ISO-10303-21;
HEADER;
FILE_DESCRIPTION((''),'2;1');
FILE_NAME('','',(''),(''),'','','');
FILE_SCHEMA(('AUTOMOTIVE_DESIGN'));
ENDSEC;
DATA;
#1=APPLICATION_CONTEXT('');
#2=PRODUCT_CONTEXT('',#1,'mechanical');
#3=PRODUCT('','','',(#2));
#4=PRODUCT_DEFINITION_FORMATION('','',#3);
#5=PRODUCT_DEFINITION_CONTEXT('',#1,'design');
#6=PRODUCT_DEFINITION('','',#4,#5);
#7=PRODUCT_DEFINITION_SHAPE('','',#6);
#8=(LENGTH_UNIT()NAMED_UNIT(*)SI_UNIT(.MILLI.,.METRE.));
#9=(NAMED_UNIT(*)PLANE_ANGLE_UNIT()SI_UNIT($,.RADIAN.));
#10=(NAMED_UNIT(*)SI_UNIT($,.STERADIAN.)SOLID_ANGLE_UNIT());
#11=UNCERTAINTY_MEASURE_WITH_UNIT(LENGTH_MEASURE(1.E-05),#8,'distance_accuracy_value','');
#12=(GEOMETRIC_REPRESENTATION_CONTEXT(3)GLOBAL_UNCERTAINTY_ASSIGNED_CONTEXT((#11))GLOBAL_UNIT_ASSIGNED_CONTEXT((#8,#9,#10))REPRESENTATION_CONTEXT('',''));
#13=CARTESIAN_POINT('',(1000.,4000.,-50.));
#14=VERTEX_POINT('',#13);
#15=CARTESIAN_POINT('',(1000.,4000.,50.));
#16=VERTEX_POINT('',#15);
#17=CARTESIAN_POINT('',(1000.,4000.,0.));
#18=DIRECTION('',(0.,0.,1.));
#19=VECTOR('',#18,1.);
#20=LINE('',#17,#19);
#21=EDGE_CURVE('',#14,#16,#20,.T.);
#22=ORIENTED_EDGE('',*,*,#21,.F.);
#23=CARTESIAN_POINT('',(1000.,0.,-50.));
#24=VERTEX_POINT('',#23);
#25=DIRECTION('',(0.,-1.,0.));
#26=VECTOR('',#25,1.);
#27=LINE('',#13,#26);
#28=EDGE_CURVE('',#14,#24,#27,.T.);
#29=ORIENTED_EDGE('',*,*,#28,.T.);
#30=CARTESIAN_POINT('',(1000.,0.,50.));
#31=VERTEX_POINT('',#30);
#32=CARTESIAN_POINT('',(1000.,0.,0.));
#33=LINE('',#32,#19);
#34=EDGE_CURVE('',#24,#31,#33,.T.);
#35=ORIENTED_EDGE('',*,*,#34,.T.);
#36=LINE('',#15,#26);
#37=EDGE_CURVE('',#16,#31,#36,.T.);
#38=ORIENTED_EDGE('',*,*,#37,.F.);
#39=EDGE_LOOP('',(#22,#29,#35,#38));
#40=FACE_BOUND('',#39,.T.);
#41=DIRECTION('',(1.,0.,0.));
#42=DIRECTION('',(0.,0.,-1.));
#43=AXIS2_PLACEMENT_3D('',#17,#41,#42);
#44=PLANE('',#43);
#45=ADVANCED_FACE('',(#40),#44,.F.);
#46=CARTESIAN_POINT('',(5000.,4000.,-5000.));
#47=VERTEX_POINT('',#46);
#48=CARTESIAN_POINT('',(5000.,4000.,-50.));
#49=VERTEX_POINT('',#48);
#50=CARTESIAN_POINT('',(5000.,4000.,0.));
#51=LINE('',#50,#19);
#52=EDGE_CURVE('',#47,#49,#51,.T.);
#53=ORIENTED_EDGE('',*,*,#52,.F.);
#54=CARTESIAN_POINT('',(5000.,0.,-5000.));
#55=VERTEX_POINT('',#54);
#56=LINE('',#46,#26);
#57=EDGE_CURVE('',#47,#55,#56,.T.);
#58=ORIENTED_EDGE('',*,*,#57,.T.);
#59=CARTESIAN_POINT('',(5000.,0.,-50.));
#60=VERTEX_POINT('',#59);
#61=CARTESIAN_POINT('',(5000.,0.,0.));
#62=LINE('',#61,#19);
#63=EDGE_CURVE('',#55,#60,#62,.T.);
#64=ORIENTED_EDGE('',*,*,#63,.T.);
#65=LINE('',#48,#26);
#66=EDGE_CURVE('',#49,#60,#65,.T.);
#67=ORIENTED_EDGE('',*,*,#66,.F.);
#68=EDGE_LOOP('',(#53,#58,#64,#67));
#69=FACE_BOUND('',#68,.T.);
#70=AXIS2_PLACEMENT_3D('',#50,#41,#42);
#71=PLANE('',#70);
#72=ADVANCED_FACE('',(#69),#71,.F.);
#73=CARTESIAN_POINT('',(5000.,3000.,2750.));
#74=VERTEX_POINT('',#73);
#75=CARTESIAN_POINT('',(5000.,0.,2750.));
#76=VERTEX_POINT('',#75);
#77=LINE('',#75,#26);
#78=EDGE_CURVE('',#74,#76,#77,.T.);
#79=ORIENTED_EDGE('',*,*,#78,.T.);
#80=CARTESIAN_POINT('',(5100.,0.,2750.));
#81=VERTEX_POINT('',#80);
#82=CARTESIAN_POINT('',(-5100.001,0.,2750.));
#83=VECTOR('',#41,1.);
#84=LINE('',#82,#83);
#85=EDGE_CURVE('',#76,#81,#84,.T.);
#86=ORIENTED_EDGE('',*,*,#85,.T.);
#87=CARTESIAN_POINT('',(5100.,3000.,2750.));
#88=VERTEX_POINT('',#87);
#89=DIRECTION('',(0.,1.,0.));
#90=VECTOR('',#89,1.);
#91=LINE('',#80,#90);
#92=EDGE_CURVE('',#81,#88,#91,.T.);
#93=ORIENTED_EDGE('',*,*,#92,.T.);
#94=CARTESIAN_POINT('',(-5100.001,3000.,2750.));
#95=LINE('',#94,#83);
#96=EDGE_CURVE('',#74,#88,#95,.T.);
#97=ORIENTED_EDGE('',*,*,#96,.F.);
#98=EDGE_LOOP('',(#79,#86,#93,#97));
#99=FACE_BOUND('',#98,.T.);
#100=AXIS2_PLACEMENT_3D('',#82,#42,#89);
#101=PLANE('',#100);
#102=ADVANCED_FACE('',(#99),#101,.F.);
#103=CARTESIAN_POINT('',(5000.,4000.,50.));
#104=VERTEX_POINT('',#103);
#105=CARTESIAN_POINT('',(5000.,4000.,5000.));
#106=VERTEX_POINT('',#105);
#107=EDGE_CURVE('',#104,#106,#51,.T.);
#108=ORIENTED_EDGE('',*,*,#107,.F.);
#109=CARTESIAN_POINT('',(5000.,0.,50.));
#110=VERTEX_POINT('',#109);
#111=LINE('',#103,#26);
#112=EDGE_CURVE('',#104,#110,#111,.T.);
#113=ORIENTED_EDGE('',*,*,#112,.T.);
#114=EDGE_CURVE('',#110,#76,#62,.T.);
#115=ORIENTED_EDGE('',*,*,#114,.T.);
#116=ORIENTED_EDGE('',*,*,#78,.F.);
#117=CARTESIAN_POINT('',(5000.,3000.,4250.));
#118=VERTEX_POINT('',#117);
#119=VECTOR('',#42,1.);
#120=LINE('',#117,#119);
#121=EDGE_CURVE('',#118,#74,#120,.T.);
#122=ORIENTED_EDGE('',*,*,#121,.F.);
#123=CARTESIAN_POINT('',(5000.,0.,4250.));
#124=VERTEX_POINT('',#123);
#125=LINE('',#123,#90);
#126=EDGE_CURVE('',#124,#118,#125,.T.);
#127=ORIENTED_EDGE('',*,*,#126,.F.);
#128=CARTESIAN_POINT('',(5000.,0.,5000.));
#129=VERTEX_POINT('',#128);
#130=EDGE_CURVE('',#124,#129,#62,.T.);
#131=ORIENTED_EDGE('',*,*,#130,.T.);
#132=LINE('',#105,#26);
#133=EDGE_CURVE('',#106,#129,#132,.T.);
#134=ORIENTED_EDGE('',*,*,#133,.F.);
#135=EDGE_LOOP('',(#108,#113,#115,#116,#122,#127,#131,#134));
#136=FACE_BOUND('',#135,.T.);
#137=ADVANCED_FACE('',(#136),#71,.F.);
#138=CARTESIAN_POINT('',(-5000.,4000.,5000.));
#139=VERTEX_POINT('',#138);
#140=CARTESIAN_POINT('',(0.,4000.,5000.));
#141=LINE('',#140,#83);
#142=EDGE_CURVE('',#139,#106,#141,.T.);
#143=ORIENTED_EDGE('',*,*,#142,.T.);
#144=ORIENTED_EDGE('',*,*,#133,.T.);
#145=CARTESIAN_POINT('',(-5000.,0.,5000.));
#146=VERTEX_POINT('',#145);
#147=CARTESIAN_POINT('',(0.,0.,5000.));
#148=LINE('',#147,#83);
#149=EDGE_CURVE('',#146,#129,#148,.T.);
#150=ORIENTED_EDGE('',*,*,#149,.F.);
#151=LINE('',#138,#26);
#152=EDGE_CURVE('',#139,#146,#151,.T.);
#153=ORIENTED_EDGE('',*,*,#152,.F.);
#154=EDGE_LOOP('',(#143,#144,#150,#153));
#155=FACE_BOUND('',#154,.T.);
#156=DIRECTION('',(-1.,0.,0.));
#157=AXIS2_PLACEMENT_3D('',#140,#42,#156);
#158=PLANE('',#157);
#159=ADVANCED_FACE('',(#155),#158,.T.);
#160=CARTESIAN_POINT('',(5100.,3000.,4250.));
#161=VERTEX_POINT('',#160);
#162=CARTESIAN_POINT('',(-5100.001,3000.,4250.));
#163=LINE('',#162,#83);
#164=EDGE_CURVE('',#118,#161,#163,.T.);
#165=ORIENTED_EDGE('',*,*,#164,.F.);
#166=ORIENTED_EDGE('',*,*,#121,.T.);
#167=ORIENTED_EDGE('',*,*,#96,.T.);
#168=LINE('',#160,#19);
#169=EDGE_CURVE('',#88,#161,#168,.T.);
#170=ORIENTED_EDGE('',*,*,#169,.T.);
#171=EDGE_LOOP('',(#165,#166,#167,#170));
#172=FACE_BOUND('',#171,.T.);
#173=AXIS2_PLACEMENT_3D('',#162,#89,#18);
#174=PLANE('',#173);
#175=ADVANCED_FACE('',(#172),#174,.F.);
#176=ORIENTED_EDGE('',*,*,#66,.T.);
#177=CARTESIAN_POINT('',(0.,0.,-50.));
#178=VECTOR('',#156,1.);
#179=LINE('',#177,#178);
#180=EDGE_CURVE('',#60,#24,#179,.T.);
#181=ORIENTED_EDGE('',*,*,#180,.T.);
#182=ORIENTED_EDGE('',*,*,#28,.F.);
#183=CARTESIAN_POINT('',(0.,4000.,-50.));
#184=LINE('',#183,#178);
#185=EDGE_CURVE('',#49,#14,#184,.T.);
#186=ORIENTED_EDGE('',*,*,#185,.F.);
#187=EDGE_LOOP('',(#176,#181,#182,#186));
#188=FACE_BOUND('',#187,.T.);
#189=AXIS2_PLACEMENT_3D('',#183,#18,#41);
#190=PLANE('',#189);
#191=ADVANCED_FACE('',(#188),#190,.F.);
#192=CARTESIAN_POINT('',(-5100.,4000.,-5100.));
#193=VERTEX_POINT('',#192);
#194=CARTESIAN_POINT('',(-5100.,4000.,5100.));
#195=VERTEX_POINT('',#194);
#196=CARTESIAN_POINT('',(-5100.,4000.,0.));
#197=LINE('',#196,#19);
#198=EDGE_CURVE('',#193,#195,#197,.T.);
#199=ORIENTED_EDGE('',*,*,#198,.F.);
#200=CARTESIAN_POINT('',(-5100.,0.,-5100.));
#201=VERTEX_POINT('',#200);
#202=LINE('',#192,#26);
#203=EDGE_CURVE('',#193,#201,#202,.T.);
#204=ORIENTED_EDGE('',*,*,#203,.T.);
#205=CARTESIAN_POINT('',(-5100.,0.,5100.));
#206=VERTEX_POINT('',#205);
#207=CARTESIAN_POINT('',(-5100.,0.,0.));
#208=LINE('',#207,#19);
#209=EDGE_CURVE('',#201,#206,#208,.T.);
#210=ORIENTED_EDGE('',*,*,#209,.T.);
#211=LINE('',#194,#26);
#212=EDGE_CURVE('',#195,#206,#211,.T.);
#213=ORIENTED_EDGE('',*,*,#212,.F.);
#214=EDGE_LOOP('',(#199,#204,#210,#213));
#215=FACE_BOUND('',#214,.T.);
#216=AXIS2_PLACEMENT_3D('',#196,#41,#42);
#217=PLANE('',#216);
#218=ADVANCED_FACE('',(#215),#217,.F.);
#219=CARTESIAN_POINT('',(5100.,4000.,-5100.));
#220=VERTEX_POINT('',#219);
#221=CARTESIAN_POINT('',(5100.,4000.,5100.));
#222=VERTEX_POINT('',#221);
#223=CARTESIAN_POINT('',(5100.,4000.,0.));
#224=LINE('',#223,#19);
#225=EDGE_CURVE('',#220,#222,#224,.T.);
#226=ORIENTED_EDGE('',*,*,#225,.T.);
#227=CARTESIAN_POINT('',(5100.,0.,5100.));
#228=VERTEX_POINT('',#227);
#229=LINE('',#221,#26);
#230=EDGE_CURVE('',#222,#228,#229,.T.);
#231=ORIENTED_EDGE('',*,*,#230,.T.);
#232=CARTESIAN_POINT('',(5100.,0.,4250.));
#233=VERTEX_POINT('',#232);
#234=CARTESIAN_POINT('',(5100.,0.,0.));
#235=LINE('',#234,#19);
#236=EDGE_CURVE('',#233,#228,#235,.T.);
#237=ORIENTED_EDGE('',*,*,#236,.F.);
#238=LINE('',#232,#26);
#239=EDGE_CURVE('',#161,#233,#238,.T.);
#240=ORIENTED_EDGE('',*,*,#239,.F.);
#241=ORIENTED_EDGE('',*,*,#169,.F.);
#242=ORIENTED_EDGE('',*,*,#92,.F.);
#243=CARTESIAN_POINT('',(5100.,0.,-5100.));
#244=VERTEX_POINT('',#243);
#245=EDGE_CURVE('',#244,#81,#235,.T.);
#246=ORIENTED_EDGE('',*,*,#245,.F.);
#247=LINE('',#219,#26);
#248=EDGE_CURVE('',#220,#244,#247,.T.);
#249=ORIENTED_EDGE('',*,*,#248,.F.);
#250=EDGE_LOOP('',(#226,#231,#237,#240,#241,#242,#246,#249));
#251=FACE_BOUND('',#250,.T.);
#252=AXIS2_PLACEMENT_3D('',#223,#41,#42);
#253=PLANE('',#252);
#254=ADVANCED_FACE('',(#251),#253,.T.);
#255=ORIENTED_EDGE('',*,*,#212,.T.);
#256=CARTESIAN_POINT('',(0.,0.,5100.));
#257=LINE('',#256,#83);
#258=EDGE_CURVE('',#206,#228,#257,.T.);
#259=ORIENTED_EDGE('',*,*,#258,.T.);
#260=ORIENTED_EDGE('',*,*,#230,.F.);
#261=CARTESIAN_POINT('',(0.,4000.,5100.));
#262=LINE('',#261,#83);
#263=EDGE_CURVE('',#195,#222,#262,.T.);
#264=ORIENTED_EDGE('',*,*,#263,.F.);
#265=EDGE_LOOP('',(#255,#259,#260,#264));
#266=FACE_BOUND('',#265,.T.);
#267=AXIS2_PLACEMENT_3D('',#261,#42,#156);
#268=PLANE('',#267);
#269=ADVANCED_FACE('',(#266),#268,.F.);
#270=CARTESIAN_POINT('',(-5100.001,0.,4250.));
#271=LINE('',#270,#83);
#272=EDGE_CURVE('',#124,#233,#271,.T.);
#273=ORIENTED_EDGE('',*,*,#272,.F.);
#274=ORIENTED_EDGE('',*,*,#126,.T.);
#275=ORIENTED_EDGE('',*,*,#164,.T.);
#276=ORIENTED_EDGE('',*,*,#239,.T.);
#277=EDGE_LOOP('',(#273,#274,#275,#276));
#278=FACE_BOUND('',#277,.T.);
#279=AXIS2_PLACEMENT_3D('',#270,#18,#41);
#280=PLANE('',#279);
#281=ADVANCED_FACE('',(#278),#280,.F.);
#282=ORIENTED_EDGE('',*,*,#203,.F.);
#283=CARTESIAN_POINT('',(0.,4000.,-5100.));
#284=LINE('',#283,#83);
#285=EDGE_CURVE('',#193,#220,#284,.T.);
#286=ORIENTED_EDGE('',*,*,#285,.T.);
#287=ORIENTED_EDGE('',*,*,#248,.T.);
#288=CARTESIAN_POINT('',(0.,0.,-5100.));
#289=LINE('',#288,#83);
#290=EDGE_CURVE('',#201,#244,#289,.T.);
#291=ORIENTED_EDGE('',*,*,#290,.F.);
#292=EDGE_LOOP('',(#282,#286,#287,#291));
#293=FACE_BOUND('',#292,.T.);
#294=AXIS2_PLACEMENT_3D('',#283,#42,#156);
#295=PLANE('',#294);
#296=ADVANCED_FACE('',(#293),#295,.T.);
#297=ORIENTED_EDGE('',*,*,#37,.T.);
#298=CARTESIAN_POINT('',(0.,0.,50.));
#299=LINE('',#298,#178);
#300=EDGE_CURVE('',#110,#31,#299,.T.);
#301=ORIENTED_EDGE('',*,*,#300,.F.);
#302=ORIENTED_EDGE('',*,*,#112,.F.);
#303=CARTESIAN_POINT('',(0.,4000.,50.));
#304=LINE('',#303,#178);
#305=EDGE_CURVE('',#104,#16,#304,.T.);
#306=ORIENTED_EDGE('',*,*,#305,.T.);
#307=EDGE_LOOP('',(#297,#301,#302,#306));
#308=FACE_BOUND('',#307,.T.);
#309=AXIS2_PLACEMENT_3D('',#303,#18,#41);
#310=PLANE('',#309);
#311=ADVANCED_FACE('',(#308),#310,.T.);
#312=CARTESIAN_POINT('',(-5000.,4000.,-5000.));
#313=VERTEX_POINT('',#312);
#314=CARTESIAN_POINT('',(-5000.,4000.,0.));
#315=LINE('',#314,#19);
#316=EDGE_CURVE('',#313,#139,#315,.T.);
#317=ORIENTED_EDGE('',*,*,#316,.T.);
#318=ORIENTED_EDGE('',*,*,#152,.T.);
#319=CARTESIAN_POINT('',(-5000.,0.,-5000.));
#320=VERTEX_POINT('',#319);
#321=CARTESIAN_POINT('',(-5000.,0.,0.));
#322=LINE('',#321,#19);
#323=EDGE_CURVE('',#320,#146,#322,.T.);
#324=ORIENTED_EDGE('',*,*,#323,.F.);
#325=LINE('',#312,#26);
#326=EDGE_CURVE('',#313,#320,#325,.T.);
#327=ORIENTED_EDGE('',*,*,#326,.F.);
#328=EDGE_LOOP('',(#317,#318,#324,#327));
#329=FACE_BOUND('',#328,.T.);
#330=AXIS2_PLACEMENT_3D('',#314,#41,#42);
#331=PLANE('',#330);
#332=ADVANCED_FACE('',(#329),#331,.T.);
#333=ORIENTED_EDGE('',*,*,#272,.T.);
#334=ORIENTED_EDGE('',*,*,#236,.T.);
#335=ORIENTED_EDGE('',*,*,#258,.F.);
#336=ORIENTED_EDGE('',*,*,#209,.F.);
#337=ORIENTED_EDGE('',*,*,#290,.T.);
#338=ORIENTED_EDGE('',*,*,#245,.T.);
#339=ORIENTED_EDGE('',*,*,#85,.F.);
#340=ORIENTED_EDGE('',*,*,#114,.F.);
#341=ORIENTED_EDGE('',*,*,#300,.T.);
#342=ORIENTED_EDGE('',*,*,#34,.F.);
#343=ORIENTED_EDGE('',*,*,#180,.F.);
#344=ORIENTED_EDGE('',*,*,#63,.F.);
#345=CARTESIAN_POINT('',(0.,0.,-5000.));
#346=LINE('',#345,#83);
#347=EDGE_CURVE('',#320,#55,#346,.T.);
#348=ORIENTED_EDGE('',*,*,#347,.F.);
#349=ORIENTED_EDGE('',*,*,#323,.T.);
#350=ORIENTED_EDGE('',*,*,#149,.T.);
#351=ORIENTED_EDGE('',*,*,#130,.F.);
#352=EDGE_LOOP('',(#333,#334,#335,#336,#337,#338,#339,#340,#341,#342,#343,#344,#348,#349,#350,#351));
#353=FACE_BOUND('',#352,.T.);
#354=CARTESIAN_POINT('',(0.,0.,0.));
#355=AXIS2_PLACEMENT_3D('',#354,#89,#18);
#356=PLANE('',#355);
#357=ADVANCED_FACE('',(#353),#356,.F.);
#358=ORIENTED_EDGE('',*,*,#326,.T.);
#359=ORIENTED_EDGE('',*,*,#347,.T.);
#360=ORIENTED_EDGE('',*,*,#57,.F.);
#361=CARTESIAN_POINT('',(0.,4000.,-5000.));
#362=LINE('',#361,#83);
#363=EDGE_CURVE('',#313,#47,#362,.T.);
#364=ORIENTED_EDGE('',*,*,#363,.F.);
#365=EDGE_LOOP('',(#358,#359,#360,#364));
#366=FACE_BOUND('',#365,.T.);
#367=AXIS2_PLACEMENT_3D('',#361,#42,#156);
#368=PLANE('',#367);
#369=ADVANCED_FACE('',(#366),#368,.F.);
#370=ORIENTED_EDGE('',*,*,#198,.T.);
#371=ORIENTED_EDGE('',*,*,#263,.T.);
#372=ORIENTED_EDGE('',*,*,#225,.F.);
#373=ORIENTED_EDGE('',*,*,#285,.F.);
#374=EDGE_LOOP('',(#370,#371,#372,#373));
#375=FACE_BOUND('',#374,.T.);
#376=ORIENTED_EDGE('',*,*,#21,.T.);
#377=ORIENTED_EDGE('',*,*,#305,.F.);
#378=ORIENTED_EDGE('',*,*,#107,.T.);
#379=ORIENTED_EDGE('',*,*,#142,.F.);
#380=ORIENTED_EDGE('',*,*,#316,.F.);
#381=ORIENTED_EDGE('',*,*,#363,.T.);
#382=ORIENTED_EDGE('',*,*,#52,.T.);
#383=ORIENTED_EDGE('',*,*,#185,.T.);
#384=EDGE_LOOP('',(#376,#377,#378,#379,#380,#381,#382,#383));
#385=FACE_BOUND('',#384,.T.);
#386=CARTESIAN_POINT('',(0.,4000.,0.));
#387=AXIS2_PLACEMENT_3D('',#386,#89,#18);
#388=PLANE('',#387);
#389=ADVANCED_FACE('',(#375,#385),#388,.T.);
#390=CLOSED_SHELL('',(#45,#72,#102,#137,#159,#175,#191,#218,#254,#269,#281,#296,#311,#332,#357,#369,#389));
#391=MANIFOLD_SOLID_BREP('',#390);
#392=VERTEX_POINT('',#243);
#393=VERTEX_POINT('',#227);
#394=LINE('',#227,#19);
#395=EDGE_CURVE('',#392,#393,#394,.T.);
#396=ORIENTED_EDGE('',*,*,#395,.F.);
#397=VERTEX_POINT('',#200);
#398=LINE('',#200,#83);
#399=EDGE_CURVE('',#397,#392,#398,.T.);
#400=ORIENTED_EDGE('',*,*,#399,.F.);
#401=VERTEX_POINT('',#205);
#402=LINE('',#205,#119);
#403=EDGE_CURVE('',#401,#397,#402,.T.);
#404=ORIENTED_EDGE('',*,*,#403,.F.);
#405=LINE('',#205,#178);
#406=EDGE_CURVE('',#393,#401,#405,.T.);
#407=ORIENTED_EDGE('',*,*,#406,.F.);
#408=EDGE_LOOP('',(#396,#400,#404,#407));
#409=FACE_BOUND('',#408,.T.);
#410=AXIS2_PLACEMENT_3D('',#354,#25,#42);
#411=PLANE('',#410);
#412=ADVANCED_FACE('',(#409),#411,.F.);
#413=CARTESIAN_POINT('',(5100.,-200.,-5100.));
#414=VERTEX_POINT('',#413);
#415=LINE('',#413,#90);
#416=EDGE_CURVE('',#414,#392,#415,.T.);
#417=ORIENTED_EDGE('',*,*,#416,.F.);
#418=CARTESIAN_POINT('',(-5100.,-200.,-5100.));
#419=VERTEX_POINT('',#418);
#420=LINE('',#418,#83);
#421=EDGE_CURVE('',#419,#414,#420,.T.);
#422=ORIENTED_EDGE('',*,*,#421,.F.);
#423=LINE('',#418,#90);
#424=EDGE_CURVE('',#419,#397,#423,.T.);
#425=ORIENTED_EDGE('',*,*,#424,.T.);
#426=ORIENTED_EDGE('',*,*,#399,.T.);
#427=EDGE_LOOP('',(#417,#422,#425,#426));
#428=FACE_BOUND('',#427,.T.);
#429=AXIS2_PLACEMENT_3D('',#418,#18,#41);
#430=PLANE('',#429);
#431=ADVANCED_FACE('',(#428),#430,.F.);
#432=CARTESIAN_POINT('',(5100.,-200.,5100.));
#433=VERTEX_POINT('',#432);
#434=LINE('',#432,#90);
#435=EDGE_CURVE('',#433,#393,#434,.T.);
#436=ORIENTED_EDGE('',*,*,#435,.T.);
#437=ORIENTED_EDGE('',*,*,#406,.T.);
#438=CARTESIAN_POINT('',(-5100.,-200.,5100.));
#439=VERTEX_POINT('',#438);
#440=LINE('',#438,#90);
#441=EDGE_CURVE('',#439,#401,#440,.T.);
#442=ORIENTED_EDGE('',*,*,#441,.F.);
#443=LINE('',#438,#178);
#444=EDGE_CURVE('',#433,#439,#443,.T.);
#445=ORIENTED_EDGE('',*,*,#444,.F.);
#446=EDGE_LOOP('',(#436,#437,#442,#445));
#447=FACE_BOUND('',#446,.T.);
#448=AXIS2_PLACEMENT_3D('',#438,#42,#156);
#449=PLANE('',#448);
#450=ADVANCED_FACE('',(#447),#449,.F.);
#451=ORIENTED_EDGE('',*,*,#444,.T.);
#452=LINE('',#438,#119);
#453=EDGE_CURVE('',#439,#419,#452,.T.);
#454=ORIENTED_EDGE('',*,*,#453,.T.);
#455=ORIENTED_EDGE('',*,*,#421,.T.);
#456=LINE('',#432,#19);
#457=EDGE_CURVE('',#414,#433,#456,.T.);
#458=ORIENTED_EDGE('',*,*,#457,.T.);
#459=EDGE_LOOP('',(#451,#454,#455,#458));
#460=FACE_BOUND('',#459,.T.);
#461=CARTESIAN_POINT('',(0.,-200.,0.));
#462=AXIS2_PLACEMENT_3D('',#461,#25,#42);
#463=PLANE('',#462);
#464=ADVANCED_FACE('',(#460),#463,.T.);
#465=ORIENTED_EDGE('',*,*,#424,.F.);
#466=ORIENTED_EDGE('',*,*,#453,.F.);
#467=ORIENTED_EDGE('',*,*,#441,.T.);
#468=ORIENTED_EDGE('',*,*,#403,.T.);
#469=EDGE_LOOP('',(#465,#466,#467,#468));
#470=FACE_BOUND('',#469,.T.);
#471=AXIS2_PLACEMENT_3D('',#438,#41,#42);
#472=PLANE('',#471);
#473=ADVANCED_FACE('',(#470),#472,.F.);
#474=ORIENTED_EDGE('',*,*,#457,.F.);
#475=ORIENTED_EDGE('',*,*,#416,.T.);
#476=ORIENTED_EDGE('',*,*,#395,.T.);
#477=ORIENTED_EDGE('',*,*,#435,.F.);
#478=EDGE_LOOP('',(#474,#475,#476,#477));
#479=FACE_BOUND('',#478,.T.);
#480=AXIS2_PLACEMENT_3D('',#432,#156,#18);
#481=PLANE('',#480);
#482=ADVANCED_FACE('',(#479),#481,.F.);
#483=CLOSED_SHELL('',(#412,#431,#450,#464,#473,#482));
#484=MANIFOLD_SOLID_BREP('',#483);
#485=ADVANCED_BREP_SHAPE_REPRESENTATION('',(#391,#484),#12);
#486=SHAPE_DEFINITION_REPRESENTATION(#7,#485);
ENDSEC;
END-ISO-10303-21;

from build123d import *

# Parameters (mm, degrees)
SKETCH1_W           = 10200
SKETCH1_H           = 10200
SKETCH1_W_2         = 10000
SKETCH1_H_2         = 10000
SKETCH1_W_3         = 4000
SKETCH1_H_3         = 100
BOSS_EXTRUDE1_DEPTH = 4000
SKETCH2_W           = 10200
SKETCH2_H           = 10200
BOSS_EXTRUDE2_DEPTH = 200
SKETCH3_W           = 1500
SKETCH3_H           = 3000
CUT_EXTRUDE1_DEPTH  = 100


with BuildPart() as part:
    # Sketch1 → Boss-Extrude1 (new body)
    # profile 1 of 2: a face of its own
    with BuildSketch(Plane(origin=(0, 0, 0), x_dir=(1, 0, 0), z_dir=(0, 1, 0))):
        Rectangle(SKETCH1_W, SKETCH1_H)
        Rectangle(SKETCH1_W_2, SKETCH1_H_2, mode=Mode.SUBTRACT)
    # profile 2 of 2: a face of its own
    with BuildSketch(Plane(origin=(0, 0, 0), x_dir=(1, 0, 0), z_dir=(0, 1, 0))):
        with Locations((3000, 0)):
            Rectangle(SKETCH1_W_3, SKETCH1_H_3)
    extrude(amount=BOSS_EXTRUDE1_DEPTH)

    # Sketch3 → Cut-Extrude1 (cut)
    with BuildSketch(Plane(origin=(5100, 0, 0), x_dir=(0, 0, -1), z_dir=(1, 0, 0))):
        with Locations((-3500, 1500)):
            Rectangle(SKETCH3_W, SKETCH3_H)
    extrude(amount=-CUT_EXTRUDE1_DEPTH, mode=Mode.SUBTRACT)


with BuildPart() as body_2:
    # Sketch2 → Boss-Extrude2 (new body)
    with BuildSketch(Plane.XZ):
        Rectangle(SKETCH2_W, SKETCH2_H)
    extrude(amount=BOSS_EXTRUDE2_DEPTH)


solid = Compound([part.part, body_2.part])
